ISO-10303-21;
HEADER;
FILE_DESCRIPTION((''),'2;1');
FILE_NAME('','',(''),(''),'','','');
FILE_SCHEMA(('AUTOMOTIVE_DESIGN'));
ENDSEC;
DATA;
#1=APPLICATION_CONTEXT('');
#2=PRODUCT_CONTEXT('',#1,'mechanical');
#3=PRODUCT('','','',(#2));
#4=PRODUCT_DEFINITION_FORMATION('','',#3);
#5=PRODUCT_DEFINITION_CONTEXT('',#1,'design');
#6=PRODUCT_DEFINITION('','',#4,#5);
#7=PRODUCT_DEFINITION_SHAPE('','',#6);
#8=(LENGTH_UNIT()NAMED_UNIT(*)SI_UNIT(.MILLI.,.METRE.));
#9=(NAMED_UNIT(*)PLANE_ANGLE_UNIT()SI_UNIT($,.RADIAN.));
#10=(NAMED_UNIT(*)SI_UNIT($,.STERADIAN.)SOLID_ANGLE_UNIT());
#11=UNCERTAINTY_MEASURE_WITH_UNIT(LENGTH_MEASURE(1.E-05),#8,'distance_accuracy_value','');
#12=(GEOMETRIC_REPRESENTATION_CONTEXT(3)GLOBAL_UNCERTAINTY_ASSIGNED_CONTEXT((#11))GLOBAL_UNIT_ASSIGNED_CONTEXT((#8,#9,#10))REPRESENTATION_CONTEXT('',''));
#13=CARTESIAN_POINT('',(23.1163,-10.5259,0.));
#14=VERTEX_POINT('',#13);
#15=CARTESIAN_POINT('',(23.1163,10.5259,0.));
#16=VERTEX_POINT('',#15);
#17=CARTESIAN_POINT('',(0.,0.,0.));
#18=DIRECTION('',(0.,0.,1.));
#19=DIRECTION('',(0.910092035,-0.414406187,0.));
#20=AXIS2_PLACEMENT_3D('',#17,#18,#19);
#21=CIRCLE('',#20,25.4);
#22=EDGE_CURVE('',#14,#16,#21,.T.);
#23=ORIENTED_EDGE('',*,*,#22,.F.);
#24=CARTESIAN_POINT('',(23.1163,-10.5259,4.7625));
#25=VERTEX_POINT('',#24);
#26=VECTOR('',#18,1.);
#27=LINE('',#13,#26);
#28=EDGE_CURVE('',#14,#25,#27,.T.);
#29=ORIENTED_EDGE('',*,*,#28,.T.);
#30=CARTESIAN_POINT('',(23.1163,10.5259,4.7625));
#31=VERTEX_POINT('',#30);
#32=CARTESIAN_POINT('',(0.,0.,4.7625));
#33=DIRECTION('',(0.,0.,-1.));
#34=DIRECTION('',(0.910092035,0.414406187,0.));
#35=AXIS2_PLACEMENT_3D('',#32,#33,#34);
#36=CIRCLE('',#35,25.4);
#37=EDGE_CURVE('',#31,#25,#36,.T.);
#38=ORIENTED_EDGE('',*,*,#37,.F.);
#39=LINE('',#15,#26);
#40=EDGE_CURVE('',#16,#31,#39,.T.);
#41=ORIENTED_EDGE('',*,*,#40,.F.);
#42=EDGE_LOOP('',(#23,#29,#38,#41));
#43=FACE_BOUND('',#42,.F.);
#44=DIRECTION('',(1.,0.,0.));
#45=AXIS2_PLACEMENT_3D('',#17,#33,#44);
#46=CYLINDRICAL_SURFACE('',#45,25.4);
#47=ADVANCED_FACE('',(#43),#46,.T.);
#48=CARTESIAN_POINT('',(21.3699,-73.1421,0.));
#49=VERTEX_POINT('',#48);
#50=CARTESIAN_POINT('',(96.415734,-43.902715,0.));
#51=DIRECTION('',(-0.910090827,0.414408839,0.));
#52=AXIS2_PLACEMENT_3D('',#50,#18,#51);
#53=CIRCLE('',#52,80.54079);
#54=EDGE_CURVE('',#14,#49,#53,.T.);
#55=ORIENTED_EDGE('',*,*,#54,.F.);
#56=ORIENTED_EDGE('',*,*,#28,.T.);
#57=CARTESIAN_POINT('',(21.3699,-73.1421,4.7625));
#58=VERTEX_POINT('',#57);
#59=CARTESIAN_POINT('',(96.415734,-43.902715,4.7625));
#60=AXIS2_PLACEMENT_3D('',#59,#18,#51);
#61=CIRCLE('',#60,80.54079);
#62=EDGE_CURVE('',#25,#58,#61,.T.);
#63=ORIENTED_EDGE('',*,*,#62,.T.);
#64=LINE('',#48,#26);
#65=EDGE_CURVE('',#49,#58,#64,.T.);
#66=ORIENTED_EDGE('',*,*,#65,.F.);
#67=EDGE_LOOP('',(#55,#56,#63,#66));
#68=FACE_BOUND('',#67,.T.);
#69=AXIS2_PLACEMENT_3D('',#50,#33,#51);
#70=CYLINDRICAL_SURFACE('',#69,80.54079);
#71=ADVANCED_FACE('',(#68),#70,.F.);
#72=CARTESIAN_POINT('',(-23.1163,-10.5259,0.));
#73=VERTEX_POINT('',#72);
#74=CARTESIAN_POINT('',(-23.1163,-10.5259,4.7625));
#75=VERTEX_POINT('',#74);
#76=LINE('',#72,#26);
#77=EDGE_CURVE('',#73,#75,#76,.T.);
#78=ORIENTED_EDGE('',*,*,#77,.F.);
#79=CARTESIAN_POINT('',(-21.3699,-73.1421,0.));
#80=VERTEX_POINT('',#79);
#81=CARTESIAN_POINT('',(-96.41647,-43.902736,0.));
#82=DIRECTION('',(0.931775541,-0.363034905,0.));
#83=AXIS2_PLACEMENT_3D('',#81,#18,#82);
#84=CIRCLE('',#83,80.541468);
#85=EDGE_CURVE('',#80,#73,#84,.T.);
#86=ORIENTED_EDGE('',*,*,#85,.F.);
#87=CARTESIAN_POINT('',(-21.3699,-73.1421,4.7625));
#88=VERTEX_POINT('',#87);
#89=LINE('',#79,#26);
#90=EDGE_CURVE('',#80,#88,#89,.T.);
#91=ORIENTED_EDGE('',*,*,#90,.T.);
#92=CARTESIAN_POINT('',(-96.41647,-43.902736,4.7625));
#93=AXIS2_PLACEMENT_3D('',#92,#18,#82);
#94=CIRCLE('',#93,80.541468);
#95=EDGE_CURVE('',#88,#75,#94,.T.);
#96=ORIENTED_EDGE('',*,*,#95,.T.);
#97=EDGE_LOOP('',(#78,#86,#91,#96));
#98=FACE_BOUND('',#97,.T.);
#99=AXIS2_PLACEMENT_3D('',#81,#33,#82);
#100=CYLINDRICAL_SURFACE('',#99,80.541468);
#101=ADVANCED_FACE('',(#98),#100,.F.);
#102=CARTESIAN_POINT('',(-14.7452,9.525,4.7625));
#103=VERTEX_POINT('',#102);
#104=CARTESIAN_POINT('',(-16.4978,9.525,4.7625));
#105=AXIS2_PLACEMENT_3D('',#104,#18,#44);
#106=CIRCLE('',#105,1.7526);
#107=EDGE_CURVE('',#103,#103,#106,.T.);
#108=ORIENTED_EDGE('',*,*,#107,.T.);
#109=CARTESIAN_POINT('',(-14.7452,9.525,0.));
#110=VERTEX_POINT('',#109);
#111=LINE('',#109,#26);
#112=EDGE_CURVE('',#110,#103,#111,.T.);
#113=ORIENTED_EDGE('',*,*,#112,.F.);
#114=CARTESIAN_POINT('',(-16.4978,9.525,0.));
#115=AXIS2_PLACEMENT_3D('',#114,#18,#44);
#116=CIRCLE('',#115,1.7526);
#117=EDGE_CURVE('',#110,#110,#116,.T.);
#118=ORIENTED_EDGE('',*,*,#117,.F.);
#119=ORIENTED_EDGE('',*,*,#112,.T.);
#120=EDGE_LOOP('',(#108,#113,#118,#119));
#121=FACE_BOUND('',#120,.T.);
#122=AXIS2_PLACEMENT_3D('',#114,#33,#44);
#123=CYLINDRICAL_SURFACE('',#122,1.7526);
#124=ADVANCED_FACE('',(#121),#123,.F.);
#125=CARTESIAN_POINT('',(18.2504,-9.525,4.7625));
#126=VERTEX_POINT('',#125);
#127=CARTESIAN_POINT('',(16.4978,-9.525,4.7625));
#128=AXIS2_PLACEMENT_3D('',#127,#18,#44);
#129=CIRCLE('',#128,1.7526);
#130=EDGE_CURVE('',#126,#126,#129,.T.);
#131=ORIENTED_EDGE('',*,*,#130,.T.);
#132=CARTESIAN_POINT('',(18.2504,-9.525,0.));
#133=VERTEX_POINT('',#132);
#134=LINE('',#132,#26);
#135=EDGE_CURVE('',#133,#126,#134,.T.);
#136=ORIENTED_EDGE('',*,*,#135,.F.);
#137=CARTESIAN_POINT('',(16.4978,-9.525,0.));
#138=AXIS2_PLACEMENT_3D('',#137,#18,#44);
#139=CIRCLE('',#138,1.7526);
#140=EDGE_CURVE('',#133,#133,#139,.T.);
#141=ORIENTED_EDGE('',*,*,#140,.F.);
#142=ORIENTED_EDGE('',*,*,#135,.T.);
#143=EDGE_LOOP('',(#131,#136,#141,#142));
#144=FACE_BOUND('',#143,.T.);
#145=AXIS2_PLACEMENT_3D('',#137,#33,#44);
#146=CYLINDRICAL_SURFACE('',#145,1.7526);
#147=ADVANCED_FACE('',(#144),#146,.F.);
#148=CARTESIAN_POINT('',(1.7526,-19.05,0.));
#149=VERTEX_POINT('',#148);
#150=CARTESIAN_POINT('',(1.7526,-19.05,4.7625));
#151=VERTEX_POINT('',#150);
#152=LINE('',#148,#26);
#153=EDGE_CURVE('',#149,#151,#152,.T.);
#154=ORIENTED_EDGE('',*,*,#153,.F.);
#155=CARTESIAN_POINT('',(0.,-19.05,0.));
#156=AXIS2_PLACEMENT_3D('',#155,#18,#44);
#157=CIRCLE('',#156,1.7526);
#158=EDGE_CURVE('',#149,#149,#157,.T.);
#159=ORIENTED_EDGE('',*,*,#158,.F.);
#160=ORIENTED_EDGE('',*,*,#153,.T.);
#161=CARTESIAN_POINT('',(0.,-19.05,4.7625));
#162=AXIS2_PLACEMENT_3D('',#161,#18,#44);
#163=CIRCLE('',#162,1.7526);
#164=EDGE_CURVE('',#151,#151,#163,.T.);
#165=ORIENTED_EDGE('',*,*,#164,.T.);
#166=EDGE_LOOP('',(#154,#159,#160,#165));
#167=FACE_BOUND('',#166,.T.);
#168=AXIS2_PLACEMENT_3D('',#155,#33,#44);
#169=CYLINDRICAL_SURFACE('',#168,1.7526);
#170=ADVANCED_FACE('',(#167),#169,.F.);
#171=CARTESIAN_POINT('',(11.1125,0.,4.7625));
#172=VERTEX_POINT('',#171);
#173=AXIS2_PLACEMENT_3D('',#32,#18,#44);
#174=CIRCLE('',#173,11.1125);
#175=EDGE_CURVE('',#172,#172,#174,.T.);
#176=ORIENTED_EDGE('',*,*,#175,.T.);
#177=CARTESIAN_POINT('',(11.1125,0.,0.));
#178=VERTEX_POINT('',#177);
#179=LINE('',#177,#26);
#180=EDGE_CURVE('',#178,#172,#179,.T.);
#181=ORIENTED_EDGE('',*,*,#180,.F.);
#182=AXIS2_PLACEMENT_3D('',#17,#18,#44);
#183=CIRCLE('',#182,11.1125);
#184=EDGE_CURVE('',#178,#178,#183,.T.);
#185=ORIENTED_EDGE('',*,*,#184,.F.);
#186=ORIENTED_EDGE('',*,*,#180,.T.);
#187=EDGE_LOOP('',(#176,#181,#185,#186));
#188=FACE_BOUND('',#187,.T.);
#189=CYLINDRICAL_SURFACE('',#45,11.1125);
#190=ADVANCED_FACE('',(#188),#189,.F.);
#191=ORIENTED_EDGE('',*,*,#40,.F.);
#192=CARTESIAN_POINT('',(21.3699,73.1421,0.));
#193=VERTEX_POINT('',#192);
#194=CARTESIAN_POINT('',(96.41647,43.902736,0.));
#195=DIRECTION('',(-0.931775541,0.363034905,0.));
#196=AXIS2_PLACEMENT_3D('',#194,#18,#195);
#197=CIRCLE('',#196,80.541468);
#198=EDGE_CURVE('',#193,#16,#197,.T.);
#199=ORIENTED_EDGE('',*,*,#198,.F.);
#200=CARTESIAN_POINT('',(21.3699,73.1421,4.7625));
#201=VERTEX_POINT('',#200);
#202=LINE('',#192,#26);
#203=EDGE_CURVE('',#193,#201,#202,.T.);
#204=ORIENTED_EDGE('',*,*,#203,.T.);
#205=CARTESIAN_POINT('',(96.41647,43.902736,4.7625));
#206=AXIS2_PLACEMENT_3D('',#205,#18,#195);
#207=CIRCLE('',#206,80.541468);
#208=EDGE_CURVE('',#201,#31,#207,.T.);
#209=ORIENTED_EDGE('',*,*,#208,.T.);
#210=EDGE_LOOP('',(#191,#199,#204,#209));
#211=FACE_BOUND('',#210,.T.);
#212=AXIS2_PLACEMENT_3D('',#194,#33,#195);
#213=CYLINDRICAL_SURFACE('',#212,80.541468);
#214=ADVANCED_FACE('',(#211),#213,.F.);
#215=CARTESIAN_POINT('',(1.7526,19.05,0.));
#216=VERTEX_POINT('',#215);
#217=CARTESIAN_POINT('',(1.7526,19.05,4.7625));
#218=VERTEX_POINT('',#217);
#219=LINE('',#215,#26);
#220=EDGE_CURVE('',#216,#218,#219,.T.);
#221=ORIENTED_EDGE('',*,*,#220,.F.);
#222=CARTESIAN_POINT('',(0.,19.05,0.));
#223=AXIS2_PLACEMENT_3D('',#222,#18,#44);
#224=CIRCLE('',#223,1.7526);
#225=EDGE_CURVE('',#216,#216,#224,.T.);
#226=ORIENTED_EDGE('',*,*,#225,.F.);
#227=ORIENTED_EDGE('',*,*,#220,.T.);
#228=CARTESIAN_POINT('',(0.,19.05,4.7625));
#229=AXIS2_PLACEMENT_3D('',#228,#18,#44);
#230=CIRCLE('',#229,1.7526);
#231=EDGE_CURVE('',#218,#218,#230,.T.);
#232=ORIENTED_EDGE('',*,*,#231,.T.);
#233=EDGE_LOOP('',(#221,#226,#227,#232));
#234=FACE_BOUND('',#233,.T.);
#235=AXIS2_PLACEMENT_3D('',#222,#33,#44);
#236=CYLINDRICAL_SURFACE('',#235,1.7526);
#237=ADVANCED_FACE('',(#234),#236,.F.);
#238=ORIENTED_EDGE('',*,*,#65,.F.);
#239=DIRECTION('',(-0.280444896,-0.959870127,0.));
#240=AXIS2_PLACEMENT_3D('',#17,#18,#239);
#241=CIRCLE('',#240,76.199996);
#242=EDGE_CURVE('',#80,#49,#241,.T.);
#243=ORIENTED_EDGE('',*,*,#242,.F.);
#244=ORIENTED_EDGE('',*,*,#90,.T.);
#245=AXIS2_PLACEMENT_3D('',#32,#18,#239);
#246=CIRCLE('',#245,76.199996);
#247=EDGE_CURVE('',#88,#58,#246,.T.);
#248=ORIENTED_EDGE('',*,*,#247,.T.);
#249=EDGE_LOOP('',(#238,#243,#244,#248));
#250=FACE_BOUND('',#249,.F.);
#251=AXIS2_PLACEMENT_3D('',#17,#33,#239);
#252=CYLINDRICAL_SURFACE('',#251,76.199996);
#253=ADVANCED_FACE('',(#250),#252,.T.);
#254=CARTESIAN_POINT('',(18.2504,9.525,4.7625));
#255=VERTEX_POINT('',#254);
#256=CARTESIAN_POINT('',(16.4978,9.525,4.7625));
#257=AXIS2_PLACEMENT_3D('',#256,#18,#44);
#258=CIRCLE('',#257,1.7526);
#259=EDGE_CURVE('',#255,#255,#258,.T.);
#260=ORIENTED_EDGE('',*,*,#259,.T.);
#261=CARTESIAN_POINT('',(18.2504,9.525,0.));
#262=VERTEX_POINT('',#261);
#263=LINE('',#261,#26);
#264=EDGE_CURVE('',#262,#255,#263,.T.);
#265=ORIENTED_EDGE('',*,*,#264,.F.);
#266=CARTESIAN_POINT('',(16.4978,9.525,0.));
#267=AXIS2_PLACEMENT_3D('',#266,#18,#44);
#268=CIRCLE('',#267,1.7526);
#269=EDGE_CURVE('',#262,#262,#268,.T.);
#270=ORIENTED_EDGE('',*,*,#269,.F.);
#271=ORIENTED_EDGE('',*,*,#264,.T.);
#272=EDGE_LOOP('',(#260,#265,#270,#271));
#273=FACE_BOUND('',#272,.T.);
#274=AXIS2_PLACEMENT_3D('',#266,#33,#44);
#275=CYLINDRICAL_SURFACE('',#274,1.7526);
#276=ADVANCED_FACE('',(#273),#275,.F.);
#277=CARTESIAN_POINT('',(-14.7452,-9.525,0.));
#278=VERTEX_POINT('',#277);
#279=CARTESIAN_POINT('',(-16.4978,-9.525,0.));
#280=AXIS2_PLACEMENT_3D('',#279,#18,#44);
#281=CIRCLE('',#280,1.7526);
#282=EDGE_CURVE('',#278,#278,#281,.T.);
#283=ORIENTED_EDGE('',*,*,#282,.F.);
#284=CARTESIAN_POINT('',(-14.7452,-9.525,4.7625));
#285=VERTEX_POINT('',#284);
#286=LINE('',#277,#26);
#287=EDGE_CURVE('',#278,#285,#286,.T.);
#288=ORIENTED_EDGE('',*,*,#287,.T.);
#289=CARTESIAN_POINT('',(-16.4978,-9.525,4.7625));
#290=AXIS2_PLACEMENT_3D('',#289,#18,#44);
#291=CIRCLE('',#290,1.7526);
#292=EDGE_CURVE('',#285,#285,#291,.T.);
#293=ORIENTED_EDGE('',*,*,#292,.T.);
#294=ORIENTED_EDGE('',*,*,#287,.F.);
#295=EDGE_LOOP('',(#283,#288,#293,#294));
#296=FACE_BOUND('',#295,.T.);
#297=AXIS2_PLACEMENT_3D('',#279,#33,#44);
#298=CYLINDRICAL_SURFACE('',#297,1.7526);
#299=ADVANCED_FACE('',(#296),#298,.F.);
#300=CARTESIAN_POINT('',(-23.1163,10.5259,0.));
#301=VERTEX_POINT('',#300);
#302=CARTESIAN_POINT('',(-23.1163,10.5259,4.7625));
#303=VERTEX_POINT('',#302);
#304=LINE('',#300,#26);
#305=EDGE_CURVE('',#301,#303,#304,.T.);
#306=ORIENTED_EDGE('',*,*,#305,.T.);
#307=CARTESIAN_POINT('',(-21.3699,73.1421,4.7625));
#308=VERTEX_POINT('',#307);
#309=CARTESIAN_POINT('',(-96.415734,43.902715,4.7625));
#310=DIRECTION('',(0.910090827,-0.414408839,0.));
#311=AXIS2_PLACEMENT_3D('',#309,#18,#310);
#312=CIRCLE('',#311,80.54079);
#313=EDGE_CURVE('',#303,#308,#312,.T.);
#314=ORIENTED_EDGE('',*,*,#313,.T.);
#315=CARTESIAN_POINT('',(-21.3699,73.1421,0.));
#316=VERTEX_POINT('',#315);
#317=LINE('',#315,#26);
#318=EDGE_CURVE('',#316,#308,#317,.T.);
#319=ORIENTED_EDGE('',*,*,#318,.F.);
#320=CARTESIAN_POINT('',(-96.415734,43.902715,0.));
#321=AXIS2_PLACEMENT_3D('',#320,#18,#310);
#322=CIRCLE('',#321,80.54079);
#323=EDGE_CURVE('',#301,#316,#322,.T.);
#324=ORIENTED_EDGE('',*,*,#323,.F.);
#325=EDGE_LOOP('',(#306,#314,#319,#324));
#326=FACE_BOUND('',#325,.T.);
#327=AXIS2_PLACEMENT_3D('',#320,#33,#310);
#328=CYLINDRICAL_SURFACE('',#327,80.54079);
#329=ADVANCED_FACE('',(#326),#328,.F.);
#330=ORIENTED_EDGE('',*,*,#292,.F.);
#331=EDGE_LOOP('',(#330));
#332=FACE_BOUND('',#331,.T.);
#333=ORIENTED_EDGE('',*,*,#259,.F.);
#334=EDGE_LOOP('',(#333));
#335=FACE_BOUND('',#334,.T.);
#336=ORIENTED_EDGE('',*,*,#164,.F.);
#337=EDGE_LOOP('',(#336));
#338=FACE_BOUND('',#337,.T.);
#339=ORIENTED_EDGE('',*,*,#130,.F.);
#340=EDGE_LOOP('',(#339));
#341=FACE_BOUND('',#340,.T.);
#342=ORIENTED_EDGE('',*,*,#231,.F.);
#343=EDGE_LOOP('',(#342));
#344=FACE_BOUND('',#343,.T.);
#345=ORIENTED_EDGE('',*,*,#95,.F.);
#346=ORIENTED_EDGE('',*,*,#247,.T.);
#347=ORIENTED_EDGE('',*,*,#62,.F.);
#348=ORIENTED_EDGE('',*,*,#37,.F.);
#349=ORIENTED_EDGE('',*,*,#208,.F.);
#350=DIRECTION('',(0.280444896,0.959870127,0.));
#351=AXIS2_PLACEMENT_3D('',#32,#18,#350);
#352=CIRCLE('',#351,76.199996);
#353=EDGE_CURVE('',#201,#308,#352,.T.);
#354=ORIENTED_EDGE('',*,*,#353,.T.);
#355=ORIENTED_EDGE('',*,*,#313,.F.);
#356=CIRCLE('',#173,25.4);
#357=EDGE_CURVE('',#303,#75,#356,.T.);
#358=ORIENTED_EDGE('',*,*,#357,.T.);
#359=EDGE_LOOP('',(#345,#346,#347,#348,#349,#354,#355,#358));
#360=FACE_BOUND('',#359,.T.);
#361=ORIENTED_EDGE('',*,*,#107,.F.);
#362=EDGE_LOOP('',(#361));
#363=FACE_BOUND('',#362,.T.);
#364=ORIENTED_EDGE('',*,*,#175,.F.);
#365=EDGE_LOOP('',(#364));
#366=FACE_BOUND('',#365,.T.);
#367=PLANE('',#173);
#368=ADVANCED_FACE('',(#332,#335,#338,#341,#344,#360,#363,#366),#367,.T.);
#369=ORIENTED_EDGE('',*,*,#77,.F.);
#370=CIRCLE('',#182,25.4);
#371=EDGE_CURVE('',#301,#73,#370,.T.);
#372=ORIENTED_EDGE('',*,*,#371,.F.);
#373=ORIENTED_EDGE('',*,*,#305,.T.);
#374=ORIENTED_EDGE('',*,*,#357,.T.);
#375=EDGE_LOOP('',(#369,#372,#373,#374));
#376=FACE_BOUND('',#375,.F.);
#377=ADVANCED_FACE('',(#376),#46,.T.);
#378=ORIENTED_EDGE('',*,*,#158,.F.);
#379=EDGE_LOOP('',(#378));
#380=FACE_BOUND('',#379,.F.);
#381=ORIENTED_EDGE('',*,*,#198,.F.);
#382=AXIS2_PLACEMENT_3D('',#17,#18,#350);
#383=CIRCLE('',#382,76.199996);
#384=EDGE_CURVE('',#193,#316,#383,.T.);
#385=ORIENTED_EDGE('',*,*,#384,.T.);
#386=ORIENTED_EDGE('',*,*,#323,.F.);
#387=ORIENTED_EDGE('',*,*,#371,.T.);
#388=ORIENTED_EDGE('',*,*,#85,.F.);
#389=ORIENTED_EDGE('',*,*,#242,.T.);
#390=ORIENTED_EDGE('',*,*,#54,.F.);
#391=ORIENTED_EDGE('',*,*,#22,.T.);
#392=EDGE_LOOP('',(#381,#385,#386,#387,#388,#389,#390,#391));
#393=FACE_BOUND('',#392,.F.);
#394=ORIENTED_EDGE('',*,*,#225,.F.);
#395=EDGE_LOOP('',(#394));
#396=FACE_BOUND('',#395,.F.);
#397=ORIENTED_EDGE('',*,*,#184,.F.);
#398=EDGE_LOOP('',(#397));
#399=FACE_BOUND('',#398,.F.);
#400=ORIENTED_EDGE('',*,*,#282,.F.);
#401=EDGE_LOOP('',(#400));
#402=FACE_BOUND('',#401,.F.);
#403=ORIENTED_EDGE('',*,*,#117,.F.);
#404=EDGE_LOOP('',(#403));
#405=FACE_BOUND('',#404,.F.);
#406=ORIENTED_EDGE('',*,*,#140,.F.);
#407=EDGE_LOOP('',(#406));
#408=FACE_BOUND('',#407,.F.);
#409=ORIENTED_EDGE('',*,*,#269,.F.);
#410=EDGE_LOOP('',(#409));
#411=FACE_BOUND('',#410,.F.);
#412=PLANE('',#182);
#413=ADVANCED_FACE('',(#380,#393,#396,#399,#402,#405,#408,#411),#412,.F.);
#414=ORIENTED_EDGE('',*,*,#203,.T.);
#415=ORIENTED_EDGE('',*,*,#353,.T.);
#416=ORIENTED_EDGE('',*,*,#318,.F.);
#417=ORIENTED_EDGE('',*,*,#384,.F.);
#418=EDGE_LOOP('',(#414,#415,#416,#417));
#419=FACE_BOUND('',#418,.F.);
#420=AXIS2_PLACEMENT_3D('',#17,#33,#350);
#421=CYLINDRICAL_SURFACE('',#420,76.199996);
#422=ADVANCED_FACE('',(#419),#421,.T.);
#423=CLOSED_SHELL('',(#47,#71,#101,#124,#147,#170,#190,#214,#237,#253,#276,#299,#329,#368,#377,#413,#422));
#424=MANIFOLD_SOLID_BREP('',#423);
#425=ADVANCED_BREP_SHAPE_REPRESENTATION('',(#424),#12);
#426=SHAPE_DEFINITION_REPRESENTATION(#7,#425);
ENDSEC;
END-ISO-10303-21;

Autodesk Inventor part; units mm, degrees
ref_plane "YZ Plane" through (0, 0, 0) normal (1, 0, 0) x (0, 1, 0)
ref_plane "XZ Plane" through (0, 0, 0) normal (0, 1, 0) x (-1, 0, 0)
ref_plane "XY Plane" through (0, 0, 0) normal (0, 0, 1) x (1, 0, 0)
sketch "Sketch1" plane through (0, 0, 0) normal (0, 0, 1) x (1, 0, 0)
  circle A0 centre (0, 0) radius 11.1125
  line L0 (0, 0) -> (0, 19.05) construction
  circle A1 centre (0, 19.05) radius 1.7526
  circle A2 centre (-16.4978, 9.525) radius 1.7526
  circle A3 centre (-16.4978, -9.525) radius 1.7526
  circle A4 centre (0, -19.05) radius 1.7526
  circle A5 centre (16.4978, -9.525) radius 1.7526
  circle A6 centre (16.4978, 9.525) radius 1.7526
  circle A7 centre (0, 0) radius 76.2 construction
  line L1 (-15.875, -74.528) -> (15.875, -74.528) construction
  line L2 (15.875, -74.528) -> (15.875, 74.528) construction
  line L3 (15.875, 74.528) -> (-15.875, 74.528) construction
  line L4 (-15.875, 74.528) -> (-15.875, -74.528) construction
  line L5 (-15.875, -74.528) -> (15.875, 74.528) construction
  line L6 (15.875, -74.528) -> (-15.875, 74.528) construction
  line L7 (0, 76.2) -> (0, -76.2) construction
  line L8 (0, 0) -> (21.3699, 73.1421) construction
  circle A8 centre (0, 0) radius 66.675 construction
  circle A9 centre (0, 0) radius 25.4
  line L9 (21.3699, 73.1421) -> (17.8969, 64.2282) construction
  arc A10 (21.3699, 73.1421) -> (-21.3699, 73.1421) centre (0, 0) ccw
  line L10 (-15.875, 0) -> (15.875, 0) construction
  arc A11 (-21.3699, -73.1421) -> (21.3699, -73.1421) centre (0, 0) ccw
  arc A12 (21.3699, 73.1421) -> (23.1163, 10.5259) centre (96.4161, 43.9028) ccw
  arc A13 (-23.1163, 10.5259) -> (-21.3699, 73.1421) centre (-96.4161, 43.9028) ccw
  arc A14 (23.1163, -10.5259) -> (21.3699, -73.1421) centre (96.4161, -43.9028) ccw
  arc A15 (-21.3699, -73.1421) -> (-23.1163, -10.5259) centre (-96.4161, -43.9028) ccw
  point P0 (0, 74.528)
  point P1 (0, -66.675)
  point P2 (23.1163, -10.5259)
  point P3 (-23.1163, -10.5259)
  point P4 (-23.1163, 10.5259)
  dimension "d10" = 50.8
  dimension "d0" = 22.225
  dimension "d1" = 19.05
  dimension "d2" = 3.5052
  dimension "d5" = 360
  dimension "d7" = 152.4
  dimension "d8" = 31.75
  dimension "d9" = 9.525
  dimension "d11" = 5
extrude "Extrusion1" add sketch "Sketch1" along normal blind 4.7625
sketch "Sketch3" plane through (0, 0, 0) normal (0, 0, -1) x (-1, 0, 0)
  circle A0 centre (0, 0) radius 76.2 construction
  point P0 (21.3699, 73.1421)
  dimension "d25" = 152.4
properties part number "Blade (Bar)" material "Stainless Steel"
